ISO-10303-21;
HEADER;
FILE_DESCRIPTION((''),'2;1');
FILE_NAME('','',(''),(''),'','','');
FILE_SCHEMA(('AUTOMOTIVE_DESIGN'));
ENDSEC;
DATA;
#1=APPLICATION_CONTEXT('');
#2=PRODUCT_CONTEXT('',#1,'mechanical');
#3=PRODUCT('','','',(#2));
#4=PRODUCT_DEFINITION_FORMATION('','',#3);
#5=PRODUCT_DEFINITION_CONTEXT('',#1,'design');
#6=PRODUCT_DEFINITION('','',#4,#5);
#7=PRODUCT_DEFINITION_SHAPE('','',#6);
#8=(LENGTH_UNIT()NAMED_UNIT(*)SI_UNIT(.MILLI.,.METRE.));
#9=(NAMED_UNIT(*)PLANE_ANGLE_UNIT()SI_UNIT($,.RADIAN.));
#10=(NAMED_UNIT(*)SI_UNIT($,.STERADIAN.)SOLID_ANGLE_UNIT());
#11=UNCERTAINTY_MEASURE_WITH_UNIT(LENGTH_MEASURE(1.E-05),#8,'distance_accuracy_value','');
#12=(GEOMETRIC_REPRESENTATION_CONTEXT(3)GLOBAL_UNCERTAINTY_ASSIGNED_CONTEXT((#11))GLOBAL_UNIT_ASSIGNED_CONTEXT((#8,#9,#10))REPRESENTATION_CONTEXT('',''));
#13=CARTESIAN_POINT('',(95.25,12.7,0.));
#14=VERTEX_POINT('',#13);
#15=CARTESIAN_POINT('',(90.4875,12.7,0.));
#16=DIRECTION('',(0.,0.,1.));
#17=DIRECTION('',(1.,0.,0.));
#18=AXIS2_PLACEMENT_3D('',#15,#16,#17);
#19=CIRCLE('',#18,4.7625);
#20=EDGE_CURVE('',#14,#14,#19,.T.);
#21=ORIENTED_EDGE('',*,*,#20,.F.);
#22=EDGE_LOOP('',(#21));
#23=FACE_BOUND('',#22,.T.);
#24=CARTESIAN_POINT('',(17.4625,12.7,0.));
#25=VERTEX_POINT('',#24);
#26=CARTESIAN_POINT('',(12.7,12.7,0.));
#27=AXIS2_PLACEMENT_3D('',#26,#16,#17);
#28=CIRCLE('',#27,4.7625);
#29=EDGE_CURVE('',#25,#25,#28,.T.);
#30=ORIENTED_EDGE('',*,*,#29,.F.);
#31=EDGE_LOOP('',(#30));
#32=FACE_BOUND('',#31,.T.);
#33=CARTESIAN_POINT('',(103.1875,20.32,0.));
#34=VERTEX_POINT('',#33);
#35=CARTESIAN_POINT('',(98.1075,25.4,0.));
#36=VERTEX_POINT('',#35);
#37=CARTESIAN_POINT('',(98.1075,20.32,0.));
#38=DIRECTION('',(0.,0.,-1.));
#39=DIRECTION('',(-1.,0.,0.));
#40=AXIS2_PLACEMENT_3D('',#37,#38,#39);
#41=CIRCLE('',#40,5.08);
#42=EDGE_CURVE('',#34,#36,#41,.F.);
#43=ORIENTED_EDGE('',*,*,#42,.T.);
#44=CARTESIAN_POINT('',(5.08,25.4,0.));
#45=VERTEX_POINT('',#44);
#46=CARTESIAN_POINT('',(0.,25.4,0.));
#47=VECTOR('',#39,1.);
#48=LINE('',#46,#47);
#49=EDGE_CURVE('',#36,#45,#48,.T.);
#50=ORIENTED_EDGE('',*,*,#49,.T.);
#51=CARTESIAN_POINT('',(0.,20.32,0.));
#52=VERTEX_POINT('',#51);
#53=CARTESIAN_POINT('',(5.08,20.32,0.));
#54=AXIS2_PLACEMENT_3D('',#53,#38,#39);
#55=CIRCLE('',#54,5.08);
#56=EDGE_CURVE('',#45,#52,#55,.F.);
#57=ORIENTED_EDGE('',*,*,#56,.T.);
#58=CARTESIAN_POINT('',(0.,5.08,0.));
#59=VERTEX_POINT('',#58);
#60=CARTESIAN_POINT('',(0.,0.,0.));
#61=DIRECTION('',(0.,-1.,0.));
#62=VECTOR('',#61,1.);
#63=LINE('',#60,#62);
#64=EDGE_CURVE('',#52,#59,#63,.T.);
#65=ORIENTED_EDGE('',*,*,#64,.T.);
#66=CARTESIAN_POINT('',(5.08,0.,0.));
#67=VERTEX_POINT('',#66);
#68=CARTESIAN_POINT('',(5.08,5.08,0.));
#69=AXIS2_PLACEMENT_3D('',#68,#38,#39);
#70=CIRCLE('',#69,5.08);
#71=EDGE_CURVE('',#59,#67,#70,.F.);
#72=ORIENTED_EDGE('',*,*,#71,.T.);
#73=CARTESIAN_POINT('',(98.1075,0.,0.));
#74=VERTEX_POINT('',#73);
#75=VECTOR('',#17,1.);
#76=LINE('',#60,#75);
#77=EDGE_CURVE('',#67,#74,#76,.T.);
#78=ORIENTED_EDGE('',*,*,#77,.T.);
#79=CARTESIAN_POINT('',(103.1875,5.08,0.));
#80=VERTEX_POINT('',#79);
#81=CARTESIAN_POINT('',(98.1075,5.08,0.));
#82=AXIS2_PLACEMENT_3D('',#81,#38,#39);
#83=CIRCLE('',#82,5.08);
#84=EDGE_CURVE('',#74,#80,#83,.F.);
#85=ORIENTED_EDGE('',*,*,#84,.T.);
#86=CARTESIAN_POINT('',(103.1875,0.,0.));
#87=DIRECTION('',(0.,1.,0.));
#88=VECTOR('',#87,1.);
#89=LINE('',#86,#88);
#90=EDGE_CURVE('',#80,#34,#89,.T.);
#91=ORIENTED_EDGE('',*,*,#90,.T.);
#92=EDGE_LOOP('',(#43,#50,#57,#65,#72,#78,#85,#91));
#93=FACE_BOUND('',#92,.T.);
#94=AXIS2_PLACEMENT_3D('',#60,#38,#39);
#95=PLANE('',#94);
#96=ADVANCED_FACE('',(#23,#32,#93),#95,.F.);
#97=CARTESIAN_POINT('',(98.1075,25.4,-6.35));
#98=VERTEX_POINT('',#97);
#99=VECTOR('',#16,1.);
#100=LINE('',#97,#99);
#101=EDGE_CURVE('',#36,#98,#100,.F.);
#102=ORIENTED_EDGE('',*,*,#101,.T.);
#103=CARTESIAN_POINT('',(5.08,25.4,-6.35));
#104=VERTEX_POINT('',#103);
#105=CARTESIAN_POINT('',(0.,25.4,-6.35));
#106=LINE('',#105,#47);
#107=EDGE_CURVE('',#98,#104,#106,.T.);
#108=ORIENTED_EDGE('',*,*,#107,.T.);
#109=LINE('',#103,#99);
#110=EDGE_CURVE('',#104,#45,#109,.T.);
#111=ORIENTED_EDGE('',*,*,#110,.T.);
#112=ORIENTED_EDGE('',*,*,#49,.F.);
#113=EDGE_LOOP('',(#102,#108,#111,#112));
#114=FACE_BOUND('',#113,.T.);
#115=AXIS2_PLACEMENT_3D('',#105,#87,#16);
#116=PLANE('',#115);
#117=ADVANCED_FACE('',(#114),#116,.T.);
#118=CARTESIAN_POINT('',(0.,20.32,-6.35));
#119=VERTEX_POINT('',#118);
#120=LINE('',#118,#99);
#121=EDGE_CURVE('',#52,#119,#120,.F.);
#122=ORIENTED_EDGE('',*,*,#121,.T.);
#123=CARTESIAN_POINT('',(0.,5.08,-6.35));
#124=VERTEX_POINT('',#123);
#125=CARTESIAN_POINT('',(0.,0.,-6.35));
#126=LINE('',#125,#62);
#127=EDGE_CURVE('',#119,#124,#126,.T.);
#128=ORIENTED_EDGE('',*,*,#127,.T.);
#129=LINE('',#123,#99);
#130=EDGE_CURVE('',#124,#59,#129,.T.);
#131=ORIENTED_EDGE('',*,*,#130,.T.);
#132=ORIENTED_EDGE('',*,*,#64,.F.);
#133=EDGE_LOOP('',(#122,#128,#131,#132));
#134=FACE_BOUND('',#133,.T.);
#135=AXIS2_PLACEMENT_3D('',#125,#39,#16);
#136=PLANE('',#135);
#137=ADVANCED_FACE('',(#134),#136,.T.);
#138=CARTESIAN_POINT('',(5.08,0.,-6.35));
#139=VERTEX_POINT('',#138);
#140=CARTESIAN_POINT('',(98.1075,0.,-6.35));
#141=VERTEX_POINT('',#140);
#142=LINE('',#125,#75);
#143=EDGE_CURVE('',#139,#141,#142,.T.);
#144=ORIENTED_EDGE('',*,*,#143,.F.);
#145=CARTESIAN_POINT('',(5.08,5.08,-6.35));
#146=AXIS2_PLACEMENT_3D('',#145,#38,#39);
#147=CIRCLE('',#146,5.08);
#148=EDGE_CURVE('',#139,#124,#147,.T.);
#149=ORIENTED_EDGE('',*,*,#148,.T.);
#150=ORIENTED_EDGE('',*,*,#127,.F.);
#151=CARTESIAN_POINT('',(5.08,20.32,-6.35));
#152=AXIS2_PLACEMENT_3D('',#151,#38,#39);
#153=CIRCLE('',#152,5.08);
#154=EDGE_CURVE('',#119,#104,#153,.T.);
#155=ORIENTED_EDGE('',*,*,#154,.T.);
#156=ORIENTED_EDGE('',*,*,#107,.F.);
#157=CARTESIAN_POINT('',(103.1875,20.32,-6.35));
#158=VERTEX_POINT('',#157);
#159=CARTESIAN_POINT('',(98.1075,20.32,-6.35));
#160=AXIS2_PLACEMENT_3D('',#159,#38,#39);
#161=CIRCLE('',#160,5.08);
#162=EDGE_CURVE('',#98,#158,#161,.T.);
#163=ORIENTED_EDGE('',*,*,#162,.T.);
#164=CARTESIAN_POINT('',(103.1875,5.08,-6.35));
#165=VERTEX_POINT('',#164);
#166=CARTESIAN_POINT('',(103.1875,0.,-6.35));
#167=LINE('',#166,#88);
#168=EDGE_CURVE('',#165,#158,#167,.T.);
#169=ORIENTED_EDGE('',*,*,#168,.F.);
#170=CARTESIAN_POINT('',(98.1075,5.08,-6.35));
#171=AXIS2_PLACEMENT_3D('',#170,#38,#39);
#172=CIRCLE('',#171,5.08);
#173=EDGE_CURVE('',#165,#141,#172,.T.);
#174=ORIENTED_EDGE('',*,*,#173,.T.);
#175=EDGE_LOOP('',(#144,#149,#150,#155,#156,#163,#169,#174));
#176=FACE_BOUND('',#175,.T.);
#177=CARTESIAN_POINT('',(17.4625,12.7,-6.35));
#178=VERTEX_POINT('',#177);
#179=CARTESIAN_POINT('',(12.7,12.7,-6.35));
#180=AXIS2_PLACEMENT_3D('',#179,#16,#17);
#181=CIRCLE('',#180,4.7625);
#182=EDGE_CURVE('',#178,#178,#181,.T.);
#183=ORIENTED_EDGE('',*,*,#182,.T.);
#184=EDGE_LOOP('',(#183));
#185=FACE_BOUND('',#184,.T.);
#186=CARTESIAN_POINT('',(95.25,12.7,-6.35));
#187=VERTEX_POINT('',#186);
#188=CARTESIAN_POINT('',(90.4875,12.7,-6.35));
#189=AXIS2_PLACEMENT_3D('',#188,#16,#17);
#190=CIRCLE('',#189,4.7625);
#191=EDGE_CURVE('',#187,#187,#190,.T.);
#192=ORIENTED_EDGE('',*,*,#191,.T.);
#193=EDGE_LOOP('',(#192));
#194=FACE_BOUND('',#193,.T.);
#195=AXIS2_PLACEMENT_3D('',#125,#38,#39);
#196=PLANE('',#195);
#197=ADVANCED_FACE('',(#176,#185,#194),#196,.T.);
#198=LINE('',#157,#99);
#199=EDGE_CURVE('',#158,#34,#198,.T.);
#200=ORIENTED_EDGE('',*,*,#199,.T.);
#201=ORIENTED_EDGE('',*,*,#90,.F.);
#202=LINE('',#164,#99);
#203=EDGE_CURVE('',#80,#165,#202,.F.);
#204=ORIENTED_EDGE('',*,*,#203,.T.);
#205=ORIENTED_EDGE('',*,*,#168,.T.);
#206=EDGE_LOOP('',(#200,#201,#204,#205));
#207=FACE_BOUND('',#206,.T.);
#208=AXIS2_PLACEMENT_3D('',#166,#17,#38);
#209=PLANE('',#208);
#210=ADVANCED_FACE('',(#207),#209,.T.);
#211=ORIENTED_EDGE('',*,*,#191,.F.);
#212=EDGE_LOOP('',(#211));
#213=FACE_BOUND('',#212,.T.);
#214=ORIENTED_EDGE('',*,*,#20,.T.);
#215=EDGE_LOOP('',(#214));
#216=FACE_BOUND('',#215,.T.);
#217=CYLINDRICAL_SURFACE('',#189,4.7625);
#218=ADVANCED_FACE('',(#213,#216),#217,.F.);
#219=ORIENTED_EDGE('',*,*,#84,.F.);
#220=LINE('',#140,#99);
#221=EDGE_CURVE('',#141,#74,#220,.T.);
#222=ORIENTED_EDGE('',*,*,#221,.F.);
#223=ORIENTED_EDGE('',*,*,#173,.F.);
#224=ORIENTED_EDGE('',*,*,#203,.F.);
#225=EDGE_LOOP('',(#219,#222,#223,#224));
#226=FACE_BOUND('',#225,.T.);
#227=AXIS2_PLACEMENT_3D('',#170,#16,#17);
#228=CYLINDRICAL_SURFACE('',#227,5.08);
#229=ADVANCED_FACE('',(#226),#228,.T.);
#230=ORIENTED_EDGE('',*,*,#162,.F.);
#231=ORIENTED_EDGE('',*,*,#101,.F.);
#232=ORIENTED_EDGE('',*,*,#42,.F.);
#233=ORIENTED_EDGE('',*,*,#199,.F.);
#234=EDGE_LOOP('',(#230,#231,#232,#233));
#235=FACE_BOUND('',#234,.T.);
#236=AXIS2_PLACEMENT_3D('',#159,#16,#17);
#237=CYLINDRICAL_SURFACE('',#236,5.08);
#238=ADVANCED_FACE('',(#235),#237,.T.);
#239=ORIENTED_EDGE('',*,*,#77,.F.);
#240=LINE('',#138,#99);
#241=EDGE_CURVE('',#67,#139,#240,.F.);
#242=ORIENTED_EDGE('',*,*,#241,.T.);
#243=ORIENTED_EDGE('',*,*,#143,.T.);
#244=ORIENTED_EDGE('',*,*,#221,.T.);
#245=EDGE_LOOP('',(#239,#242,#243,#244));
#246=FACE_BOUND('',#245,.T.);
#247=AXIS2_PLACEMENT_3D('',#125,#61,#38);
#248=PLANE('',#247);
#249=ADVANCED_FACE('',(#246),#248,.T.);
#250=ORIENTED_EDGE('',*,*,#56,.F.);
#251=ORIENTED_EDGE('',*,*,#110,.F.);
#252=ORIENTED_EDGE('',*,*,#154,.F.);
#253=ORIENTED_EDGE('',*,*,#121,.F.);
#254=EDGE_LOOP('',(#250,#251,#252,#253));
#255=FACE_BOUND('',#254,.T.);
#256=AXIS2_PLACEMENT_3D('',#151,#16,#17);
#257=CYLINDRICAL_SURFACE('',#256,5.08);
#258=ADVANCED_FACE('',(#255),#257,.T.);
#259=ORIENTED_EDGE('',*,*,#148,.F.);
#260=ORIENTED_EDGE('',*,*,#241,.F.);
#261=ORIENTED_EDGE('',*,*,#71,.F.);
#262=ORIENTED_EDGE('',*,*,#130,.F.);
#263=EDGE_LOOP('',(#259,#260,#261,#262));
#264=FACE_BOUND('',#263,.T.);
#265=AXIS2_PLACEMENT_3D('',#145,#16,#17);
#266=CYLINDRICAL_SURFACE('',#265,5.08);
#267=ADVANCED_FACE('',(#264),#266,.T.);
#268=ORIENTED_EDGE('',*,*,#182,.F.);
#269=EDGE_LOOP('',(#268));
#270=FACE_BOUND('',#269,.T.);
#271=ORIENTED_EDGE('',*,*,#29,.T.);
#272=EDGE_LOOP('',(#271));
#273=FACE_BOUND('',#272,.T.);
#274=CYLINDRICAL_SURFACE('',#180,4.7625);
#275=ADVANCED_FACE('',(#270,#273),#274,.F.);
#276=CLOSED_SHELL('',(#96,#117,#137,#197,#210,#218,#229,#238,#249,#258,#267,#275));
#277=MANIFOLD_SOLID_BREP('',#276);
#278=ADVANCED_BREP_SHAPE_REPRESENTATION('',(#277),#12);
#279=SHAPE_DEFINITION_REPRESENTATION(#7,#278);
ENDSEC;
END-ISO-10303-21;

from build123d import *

# Parameters (mm, degrees)
SKETCH1_W           = 103.1875
SKETCH1_H           = 25.4
BOSS_EXTRUDE1_DEPTH = 6.35
FILLET1_R           = 5.08
SKETCH2_R           = 4.7625
CUT_EXTRUDE1_DEPTH  = 107.457233931


with BuildPart() as part:
    # Sketch1 → Boss-Extrude1 (new body)
    with BuildSketch(Plane.XY):
        with Locations((51.59375, 12.7)):
            Rectangle(SKETCH1_W, SKETCH1_H)
    extrude(amount=-BOSS_EXTRUDE1_DEPTH)

    # Fillet1
    fillet1_edges = [part.edges().sort_by_distance(p)[0] for p in [
        (0, 25.4, -3.175),
        (103.1875, 25.4, -3.175),
        (103.1875, 0, -3.175),
        (0, 0, -3.175),
    ]]
    fillet(fillet1_edges, radius=FILLET1_R)

    # Sketch2 → Cut-Extrude1 (cut, through all)
    with BuildSketch(Plane.XY):
        with Locations((12.7, 12.7)):
            Circle(SKETCH2_R)
        with Locations((90.4875, 12.7)):
            Circle(SKETCH2_R)
    extrude(amount=-CUT_EXTRUDE1_DEPTH, mode=Mode.SUBTRACT)


solid = part.part
